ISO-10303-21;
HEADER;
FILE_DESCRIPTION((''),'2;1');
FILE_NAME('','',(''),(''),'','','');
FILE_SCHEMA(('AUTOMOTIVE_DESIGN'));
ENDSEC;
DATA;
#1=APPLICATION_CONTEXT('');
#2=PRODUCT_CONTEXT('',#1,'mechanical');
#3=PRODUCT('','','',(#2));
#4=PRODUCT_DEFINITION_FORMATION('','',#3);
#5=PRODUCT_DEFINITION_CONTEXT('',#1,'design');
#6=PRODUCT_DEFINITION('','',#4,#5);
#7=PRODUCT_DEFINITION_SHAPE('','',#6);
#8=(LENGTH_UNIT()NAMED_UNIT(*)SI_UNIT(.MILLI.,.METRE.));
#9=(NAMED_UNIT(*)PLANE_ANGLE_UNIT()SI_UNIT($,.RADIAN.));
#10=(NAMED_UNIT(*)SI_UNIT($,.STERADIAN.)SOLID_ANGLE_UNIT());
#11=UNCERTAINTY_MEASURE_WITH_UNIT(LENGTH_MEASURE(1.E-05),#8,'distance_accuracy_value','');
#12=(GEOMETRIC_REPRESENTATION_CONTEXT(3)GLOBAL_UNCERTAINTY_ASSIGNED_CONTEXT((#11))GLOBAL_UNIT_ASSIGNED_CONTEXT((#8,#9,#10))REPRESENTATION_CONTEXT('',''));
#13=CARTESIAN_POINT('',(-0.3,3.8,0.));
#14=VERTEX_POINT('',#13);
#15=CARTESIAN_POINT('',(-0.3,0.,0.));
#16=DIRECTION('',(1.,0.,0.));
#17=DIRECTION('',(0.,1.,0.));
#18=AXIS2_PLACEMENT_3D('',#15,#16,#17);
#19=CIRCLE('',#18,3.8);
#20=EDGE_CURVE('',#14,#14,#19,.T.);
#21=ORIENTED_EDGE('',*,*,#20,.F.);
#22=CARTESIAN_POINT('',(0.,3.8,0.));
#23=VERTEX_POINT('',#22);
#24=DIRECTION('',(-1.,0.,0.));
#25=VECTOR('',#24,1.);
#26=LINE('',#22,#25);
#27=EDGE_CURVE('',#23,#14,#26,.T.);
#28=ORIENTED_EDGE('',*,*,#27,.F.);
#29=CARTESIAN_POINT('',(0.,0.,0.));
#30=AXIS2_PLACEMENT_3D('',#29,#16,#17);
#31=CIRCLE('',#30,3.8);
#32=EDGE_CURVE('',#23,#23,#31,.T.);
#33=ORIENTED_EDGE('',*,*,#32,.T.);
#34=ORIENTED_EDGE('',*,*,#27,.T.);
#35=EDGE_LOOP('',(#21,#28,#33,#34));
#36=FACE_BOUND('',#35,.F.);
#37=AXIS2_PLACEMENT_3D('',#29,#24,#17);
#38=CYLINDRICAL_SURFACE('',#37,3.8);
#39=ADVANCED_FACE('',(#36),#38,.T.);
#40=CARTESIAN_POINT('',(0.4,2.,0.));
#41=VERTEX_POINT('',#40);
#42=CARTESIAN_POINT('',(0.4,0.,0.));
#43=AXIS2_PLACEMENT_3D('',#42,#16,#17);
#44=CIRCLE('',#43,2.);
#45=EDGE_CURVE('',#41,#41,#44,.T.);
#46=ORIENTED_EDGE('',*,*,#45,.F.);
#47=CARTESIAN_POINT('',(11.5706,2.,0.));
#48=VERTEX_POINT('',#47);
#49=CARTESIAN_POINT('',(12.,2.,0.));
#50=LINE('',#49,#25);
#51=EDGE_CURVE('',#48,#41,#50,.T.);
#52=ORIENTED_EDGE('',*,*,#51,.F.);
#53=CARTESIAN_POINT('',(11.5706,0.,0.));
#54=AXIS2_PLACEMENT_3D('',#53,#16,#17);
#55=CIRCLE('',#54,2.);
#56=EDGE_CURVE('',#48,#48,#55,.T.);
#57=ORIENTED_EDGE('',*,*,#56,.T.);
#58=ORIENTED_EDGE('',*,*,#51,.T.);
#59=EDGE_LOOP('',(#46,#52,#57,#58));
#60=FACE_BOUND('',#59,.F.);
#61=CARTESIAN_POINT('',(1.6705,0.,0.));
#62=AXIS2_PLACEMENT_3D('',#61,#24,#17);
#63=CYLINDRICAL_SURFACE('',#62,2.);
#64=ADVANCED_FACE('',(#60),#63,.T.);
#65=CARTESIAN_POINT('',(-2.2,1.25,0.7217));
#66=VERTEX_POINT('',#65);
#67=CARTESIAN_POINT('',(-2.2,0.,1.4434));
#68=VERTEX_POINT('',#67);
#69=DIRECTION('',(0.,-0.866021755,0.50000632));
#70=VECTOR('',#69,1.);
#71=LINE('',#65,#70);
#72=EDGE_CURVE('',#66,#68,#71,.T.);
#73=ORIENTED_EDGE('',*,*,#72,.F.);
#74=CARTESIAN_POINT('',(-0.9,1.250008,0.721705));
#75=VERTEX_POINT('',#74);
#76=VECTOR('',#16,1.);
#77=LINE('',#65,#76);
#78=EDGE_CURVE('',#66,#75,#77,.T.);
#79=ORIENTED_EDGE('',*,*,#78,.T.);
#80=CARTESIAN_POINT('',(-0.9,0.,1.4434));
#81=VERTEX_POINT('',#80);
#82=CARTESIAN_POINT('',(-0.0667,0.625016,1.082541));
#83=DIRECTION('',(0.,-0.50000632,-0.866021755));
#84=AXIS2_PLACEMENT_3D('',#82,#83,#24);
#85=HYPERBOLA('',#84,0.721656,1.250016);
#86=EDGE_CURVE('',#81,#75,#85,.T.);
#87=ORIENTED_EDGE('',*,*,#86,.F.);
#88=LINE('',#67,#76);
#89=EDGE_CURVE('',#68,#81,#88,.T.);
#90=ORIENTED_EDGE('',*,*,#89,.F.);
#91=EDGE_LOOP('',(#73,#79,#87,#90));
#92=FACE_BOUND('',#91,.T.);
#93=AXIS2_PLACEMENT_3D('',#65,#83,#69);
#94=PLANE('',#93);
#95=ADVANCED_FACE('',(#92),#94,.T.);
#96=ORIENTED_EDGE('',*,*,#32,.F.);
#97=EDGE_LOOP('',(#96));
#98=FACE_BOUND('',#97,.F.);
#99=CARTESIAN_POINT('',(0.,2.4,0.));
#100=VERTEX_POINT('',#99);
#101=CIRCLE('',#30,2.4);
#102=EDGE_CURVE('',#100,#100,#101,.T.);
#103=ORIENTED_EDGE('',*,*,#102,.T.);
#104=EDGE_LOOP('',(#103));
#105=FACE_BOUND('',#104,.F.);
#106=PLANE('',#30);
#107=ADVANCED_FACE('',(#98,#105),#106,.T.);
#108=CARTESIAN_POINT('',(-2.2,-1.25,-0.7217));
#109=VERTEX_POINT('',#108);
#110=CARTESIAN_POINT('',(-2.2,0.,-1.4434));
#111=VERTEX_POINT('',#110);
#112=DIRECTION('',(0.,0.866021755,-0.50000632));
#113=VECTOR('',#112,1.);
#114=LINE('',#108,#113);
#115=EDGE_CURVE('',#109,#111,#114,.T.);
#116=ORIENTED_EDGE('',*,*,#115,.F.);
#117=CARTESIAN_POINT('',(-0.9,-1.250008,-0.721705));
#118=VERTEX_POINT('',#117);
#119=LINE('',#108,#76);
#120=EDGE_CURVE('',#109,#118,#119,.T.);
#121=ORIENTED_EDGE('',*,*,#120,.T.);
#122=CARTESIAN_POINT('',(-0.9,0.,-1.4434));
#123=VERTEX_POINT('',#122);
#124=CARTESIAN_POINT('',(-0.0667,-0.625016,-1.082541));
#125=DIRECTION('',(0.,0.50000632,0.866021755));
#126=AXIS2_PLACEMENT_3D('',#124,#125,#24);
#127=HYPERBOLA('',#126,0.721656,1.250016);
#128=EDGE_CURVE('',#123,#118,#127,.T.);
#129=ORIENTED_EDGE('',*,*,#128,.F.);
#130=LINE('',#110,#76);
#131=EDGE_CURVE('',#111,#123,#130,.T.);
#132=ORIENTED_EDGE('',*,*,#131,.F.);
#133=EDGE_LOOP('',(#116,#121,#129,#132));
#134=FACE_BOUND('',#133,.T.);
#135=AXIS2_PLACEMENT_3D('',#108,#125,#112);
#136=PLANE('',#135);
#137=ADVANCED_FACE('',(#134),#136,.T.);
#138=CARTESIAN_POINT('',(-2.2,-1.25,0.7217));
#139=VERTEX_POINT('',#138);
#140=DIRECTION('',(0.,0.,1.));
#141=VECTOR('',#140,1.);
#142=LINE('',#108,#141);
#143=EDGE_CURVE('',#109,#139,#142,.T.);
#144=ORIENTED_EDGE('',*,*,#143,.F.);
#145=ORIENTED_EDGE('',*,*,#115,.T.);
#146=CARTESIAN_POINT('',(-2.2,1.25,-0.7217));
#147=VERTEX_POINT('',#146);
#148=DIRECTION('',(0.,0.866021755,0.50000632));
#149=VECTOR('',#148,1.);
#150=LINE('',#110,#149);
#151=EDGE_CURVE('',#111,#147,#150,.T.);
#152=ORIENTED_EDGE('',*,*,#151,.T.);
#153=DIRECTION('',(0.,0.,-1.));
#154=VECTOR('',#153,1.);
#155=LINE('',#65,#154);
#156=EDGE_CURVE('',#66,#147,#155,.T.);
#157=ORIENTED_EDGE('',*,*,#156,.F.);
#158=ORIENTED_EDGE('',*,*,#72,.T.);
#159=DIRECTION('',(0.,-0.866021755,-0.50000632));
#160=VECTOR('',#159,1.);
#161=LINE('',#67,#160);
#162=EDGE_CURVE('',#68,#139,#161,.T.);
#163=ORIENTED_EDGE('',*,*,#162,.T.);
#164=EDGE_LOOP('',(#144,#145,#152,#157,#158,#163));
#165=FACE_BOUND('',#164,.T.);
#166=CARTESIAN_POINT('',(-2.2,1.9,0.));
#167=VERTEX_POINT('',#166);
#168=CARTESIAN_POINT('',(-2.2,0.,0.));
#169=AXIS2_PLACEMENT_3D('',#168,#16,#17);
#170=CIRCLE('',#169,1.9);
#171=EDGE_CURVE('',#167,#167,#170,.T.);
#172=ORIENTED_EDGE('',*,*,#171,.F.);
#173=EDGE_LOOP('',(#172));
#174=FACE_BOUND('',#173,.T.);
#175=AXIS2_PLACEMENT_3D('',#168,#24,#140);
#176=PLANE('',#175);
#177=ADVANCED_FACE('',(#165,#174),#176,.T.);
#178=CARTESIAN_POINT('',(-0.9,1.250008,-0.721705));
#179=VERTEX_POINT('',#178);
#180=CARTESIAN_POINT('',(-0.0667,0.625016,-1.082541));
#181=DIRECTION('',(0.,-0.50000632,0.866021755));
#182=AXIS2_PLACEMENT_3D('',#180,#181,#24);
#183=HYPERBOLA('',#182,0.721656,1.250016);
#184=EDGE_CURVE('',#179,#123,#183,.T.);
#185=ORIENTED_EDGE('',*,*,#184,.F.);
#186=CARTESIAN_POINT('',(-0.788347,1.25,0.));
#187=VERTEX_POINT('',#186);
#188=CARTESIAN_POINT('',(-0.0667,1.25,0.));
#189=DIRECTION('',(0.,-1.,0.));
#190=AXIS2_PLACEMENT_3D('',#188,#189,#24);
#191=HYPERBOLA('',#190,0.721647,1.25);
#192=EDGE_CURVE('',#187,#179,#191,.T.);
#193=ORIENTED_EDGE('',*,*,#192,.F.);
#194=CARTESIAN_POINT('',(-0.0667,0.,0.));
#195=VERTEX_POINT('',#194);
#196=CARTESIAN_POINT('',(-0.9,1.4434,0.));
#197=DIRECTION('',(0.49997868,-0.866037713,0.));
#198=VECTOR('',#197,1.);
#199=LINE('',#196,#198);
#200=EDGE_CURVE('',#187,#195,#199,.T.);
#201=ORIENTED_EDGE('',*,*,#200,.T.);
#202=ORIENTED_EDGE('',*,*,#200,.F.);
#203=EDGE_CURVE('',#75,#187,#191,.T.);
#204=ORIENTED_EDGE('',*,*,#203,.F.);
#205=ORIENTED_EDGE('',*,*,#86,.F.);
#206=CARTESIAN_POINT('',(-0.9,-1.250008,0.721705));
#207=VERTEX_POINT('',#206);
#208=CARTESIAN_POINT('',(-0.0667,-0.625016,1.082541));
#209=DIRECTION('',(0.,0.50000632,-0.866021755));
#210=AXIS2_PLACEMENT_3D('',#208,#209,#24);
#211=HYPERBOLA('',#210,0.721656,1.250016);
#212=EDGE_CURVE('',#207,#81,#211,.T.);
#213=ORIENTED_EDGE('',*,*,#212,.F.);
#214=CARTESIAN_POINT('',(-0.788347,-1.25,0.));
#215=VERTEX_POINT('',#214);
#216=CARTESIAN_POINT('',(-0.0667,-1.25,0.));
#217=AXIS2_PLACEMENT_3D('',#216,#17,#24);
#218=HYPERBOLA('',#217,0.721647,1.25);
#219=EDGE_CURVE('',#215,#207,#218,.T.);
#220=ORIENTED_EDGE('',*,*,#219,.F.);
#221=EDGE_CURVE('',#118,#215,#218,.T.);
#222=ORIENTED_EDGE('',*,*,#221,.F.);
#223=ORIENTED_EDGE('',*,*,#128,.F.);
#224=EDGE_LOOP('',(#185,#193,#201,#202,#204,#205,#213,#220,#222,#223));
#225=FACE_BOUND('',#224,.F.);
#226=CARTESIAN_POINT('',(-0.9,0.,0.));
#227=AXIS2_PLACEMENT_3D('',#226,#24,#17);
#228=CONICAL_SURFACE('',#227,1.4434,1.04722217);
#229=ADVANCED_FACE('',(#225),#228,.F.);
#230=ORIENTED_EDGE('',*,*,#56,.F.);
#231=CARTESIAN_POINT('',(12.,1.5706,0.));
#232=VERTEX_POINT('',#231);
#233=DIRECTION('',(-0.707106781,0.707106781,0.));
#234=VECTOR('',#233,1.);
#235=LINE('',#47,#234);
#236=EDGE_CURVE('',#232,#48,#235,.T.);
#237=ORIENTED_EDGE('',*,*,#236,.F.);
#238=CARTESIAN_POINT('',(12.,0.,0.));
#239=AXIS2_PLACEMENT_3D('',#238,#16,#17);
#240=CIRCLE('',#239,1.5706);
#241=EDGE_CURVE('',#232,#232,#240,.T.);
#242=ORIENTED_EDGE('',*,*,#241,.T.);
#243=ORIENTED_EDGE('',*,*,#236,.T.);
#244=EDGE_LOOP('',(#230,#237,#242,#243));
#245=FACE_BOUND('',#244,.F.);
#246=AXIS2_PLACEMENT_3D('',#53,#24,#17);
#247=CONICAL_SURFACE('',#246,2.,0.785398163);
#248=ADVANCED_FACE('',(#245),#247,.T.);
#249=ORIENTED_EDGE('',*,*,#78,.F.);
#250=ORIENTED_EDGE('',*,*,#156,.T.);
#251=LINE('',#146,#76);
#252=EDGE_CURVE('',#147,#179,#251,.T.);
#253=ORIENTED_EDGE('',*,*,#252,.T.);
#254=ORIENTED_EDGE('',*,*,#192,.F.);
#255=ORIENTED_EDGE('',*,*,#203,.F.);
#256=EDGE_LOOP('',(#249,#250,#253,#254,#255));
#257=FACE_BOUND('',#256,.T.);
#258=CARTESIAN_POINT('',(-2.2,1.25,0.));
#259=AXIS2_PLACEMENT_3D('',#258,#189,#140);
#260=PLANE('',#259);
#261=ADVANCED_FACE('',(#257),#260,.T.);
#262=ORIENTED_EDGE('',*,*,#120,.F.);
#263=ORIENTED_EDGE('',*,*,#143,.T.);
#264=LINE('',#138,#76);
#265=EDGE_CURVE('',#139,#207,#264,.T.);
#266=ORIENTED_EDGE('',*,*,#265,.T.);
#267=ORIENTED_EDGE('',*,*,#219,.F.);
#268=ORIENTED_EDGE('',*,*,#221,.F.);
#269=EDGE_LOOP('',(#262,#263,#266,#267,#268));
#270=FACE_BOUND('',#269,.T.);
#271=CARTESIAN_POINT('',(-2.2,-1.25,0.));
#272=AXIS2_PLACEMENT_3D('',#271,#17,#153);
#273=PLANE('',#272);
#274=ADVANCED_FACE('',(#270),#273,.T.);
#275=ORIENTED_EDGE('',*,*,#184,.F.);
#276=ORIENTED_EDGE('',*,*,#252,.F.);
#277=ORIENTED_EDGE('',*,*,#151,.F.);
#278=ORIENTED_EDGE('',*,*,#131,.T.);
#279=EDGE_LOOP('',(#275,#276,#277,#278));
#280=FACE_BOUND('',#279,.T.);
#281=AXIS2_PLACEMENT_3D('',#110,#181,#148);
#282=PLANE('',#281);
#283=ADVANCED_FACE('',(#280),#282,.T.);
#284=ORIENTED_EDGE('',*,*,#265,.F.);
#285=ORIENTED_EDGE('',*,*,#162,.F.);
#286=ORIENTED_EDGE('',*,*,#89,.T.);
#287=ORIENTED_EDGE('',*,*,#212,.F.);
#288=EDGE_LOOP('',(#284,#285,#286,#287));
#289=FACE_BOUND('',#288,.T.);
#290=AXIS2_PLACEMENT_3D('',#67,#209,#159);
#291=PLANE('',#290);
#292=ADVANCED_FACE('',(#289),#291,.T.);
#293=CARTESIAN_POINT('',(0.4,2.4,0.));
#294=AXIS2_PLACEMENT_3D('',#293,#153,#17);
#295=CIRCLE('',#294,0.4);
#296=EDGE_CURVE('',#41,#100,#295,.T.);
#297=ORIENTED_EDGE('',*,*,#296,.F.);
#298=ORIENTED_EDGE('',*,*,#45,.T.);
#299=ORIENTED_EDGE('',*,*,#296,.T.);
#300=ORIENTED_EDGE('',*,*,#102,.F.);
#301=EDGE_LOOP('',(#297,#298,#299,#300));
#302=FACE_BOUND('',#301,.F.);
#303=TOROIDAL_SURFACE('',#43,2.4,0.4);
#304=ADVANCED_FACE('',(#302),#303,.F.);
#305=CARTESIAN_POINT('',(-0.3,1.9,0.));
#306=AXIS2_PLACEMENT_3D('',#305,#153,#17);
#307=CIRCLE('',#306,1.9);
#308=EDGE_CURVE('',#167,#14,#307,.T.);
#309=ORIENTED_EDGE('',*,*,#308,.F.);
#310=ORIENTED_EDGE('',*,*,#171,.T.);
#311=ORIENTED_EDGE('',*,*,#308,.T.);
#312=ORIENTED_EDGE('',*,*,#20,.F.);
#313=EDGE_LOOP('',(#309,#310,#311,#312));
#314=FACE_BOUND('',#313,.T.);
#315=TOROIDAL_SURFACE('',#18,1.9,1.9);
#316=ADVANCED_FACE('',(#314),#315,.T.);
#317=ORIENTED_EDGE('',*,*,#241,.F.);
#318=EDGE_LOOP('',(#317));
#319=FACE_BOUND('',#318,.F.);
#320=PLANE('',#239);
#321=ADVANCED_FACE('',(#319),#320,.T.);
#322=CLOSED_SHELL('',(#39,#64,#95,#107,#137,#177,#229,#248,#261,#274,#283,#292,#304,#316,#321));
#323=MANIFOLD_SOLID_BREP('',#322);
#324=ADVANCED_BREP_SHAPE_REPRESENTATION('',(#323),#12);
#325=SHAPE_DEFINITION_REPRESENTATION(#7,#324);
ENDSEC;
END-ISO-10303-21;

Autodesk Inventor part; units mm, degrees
ref_plane "YZ Plane" through (0, 0, 0) normal (1, 0, 0) x (0, 1, 0)
ref_plane "XZ Plane" through (0, 0, 0) normal (0, 1, 0) x (-1, 0, 0)
sketch "Sketch1" plane through (0, 0, 0) normal (0, 0, 1) x (1, 0, 0)
  line L0 (-0.0667, 0) -> (12, 0)
  line L1 (12, 0) -> (12, 2)
  line L2 (12, 2) -> (2.1, 2)
  line L3 (2.1, 2) -> (1.6705, 2)
  line L4 (1.6705, 2) -> (0, 2)
  line L5 (0, 2) -> (0, 3.8)
  line L6 (0, 3.8) -> (-2.2, 3.8)
  line L7 (-2.2, 3.8) -> (-2.2, 1.4434)
  line L8 (-2.2, 1.4434) -> (-0.9, 1.4434)
  line L9 (-0.9, 1.4434) -> (-0.0667, 0)
  line L10 (-21, 0) -> (56, 0) projected
  line L11 (0, -1.6) -> (0, 9.6) projected
  line L12 (2.1, 2) -> (0, 2) construction
  dimension "d1" = 9.9
  dimension "d2" = 0.4295
  dimension "d3" = 2.2
  dimension "d4" = 1.3
  dimension "d5" = 60
  dimension "d6" = 4
  dimension "d7" = 4
  dimension "d8" = 2.8868
  dimension "d9" = 7.6
  dimension "d26" = 12
revolve "Body" add sketch "Sketch1" angle 360 about axis through (-0.0667, 0, 0) along (1, 0, 0)
sketch "Sketch2" plane through (-2.2, 0, 0) normal (-1, 0, 0) x (0, 0, 1)
  circle A0 centre (0, 0) radius 1.4434 projected
  line L0 (0, -6.4663) -> (0, 6.4663) projected
  line L1 (-6.4663, 0) -> (6.4663, 0) projected
  line L2 (1.4434, 0) -> (0.7217, -1.25)
  line L3 (0.7217, -1.25) -> (-0.7217, -1.25)
  line L4 (-0.7217, -1.25) -> (-1.4434, 0)
  line L5 (-1.4434, 0) -> (-0.7217, 1.25)
  line L6 (-0.7217, 1.25) -> (0.7217, 1.25)
  line L7 (0.7217, 1.25) -> (1.4434, 0)
extrude "Slot" add sketch "Sketch2" against normal up to next contours L7 A0 | A0 L2 | L6 L0 A0 | A0 L0 L3 | L0 L6 A0 | A0 L3 L0 | L4 A0 | A0 L5
fillet "Fillet1" radius 1.9 1 edges at (-2.2, -3.8, 0)
thread "Thread" size "M10x1.5" class "6g" standard "ANSI Metric M Profile" length 9.9
chamfer "Chamfer1" distance 0.4294 distance2 0.4294 1 edges at (12, -2, 0) measured on face at (12, -1.1003, -0.6618)
ref_plane "Work Plane1" through (29, 0, 0) normal (0, -1, 0) x (1, 0, 0)
fillet "Fillet2" radius 0.4 1 edges at (0, -2, 0)
equation "\"d1\" = GEL"
equation "\"d3\" = KOH"
equation "\"d4\" = INTI"
equation "\"d6\" = GD"
equation "\"d7\" = BDM"
equation "\"d8\" = 1.1547 * SW"
equation "\"d9\" = KOD"
equation "\"d26\" = NLG"
equation "\"d30\" = R"
equation "\"d17\" = RR"
equation "\"d13\" = GEL"
equation "\"d15\" = -0.5 * SPD + 0.5 * GD"
equation "\"d16\" = GUL"
equation "\"GD\" = NND"
equation "\"NLG\" = 12"
equation "\"GEL\" = 9.9"
equation "\"KOD\" = 7.6"
equation "\"KOH\" = 2.2"
equation "\"INTI\" = 1.3"
equation "\"GAL\" = 0.61345 * PTC"
equation "\"GUL\" = 0.61345 * PTC"
equation "\"BDM\" = NND"
equation "\"SW\" = 2.5"
equation "\"RR\" = 1.9"
equation "\"SPD\" = NND - 1.2269 * PTC"
equation "\"R\" = 0.4"
equation "\"TOA\" = 30deg"
equation "\"GD1\" = THREADDIA - 1.2269 * PTC"
equation "\"THREADDIA\" = 4"
equation "\"PTC\" = 0.7"
equation "\"NND\" = 4"
equation "\"KOH1\" = 0.3"
equation "\"E0\" = 2.873"
properties part number "ISO 7380-1 - M4 x 12" material "Stainless Steel"
